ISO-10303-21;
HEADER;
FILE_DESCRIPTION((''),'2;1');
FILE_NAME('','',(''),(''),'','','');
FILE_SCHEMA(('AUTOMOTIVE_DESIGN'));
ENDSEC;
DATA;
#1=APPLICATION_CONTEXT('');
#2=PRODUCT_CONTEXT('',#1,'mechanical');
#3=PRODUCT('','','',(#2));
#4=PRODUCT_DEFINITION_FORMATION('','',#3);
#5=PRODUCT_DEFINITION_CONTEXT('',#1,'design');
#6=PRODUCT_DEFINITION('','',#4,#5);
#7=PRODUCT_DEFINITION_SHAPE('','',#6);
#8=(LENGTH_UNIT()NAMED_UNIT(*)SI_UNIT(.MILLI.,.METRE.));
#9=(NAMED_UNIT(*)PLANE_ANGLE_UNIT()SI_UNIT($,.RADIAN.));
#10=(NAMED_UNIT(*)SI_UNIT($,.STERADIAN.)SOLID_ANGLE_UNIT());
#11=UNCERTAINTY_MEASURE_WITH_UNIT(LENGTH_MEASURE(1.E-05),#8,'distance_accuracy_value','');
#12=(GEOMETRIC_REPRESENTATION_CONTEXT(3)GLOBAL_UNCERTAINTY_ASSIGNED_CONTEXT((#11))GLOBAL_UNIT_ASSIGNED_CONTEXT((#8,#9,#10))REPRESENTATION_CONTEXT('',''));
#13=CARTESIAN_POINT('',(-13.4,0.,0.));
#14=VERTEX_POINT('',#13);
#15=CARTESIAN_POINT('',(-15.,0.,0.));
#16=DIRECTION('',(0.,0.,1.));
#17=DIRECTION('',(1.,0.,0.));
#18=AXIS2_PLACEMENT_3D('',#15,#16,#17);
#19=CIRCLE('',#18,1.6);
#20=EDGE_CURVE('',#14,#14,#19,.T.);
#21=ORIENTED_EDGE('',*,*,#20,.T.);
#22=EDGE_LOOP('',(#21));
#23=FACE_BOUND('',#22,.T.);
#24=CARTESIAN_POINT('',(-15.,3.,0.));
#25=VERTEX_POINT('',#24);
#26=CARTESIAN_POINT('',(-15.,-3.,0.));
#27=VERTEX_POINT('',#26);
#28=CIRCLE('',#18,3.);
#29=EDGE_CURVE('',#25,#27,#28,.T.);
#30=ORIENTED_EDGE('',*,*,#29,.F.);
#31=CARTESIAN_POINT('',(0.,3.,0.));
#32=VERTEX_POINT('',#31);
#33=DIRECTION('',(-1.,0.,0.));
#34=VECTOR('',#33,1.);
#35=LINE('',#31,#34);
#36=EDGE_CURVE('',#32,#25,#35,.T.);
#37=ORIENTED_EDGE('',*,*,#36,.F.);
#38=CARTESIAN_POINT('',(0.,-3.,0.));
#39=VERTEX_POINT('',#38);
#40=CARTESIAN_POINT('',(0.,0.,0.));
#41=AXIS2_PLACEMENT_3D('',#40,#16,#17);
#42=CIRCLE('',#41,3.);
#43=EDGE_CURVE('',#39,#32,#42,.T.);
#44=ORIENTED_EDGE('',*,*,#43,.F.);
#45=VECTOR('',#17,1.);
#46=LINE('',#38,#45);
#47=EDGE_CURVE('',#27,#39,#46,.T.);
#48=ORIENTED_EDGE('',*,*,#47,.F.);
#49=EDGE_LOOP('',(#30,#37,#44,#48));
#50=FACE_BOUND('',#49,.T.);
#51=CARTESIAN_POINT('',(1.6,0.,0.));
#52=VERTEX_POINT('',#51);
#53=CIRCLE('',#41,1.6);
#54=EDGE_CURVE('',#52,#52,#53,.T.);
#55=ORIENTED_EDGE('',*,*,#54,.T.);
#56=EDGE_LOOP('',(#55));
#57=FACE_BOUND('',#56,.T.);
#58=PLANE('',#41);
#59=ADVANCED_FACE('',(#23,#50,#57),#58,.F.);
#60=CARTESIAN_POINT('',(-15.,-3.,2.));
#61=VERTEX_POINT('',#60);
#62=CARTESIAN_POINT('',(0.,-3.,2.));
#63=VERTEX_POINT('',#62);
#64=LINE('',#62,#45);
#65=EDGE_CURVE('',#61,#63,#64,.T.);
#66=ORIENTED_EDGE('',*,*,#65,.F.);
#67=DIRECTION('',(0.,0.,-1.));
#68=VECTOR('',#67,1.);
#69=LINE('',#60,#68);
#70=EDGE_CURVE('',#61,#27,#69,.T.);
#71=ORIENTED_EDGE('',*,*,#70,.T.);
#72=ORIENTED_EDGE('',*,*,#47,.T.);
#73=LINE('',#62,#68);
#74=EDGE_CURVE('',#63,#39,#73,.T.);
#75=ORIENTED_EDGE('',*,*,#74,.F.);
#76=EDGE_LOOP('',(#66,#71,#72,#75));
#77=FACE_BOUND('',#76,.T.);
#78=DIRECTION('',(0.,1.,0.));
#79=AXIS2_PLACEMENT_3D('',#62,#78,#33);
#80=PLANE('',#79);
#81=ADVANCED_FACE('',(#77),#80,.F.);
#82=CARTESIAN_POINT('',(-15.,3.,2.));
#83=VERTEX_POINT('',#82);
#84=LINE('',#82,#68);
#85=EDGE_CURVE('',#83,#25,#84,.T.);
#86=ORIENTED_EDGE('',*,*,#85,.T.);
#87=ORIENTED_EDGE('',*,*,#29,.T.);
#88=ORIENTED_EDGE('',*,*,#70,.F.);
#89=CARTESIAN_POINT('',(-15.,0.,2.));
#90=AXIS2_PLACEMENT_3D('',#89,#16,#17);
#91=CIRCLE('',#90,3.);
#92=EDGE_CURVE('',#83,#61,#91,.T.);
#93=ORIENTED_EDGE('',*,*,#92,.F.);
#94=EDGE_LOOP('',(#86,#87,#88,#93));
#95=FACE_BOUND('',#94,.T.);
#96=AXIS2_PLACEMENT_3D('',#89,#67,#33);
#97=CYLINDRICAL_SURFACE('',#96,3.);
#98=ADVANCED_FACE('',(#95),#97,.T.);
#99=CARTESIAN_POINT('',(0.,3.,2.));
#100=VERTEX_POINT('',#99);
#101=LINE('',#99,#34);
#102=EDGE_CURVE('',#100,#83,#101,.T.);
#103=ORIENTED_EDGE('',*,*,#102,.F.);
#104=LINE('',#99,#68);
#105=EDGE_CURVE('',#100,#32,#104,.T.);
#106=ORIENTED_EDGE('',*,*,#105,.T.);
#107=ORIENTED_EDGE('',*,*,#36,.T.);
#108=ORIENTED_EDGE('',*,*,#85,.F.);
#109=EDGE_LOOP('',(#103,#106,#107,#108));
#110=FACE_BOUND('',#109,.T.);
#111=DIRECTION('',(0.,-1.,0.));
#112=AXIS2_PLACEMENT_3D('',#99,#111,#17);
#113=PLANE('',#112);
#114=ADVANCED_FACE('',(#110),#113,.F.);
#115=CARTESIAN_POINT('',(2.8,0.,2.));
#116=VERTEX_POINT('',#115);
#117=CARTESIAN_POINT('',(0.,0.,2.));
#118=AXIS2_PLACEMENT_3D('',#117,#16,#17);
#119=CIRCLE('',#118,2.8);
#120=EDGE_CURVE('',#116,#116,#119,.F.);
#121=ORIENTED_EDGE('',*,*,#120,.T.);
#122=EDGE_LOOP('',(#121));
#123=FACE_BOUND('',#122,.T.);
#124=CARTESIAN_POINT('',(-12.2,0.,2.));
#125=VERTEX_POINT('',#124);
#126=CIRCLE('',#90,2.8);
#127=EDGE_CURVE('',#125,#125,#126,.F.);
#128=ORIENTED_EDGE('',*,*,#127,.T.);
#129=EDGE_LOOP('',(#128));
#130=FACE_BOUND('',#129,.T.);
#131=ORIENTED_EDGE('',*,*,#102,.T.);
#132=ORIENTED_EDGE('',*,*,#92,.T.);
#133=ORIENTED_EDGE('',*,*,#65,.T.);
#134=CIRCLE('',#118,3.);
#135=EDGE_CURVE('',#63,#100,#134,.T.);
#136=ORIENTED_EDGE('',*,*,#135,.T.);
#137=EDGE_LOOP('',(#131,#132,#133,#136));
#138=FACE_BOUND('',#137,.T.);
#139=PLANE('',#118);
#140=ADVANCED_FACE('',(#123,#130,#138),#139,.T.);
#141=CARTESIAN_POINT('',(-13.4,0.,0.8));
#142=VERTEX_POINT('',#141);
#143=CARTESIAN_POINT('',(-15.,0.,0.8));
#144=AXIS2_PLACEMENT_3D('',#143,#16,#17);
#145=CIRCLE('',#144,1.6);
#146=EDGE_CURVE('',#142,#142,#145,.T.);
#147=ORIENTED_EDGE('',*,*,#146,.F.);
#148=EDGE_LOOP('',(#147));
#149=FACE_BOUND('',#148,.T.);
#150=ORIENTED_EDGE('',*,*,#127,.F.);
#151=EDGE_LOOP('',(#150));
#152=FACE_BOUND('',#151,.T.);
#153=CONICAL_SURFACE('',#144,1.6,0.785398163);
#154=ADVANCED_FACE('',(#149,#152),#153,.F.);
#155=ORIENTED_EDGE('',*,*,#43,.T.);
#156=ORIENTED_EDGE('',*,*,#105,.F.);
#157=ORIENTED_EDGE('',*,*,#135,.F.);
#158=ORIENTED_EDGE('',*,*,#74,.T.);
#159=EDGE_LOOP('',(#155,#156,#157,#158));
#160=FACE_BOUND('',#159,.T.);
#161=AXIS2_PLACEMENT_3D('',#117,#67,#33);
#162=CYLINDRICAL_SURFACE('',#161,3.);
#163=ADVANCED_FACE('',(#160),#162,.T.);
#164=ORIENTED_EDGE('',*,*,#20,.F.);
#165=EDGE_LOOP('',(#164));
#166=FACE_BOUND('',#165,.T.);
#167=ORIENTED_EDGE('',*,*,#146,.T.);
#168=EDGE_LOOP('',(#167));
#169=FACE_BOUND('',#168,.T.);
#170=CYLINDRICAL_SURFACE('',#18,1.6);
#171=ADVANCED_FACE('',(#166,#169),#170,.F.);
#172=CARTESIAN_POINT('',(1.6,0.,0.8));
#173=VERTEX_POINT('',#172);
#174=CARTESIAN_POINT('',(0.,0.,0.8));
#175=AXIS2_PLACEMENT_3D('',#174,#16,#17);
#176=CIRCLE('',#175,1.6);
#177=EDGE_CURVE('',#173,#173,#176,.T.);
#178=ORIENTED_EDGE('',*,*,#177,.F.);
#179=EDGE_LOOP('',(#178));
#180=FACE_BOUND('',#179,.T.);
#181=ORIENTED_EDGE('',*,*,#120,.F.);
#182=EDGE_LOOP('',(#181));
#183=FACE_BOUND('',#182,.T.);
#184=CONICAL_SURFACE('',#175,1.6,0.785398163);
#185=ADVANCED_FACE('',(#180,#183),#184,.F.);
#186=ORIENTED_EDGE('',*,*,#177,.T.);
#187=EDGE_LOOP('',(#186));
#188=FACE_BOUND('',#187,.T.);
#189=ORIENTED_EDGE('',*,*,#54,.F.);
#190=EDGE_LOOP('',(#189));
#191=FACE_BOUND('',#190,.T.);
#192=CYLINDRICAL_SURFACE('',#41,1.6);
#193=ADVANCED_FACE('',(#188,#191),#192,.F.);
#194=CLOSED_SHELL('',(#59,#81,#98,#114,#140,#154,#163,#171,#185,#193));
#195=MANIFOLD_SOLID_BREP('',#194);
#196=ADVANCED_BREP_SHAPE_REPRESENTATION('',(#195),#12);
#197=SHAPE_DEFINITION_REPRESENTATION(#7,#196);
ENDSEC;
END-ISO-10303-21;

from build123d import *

# Parameters (mm, degrees)
EXTRUDE_1_DEPTH     = 2
SKETCH_2_R          = 1.6
CUT_EXTRUDE_1_DEPTH = 19.357559751
CHAMFER_1_SIZE      = 1.2


with BuildPart() as part:
    # 草图1 → 凸台-拉伸1 (new body)
    with BuildSketch(Plane.XY):
        with BuildLine():
            Line((0, -3), (-15, -3))
            ThreePointArc((-15, -3), (-18, 0), (-15, 3))
            Line((-15, 3), (0, 3))
            ThreePointArc((0, 3), (3, 0), (0, -3))
        make_face()
    extrude(amount=EXTRUDE_1_DEPTH)

    # 草图2 → 切除-拉伸1 (cut, through all)
    with BuildSketch(Plane.XY.offset(2)):
        Circle(SKETCH_2_R)
        with Locations((-15, 0)):
            Circle(SKETCH_2_R)
    extrude(amount=-CUT_EXTRUDE_1_DEPTH, mode=Mode.SUBTRACT)

    # 倒角1
    chamfer_1_edges = [part.edges().sort_by_distance(p)[0] for p in [
        (-1.6, 0, 2),
        (-16.6, 0, 2),
    ]]
    chamfer(chamfer_1_edges, length=CHAMFER_1_SIZE)


solid = part.part
